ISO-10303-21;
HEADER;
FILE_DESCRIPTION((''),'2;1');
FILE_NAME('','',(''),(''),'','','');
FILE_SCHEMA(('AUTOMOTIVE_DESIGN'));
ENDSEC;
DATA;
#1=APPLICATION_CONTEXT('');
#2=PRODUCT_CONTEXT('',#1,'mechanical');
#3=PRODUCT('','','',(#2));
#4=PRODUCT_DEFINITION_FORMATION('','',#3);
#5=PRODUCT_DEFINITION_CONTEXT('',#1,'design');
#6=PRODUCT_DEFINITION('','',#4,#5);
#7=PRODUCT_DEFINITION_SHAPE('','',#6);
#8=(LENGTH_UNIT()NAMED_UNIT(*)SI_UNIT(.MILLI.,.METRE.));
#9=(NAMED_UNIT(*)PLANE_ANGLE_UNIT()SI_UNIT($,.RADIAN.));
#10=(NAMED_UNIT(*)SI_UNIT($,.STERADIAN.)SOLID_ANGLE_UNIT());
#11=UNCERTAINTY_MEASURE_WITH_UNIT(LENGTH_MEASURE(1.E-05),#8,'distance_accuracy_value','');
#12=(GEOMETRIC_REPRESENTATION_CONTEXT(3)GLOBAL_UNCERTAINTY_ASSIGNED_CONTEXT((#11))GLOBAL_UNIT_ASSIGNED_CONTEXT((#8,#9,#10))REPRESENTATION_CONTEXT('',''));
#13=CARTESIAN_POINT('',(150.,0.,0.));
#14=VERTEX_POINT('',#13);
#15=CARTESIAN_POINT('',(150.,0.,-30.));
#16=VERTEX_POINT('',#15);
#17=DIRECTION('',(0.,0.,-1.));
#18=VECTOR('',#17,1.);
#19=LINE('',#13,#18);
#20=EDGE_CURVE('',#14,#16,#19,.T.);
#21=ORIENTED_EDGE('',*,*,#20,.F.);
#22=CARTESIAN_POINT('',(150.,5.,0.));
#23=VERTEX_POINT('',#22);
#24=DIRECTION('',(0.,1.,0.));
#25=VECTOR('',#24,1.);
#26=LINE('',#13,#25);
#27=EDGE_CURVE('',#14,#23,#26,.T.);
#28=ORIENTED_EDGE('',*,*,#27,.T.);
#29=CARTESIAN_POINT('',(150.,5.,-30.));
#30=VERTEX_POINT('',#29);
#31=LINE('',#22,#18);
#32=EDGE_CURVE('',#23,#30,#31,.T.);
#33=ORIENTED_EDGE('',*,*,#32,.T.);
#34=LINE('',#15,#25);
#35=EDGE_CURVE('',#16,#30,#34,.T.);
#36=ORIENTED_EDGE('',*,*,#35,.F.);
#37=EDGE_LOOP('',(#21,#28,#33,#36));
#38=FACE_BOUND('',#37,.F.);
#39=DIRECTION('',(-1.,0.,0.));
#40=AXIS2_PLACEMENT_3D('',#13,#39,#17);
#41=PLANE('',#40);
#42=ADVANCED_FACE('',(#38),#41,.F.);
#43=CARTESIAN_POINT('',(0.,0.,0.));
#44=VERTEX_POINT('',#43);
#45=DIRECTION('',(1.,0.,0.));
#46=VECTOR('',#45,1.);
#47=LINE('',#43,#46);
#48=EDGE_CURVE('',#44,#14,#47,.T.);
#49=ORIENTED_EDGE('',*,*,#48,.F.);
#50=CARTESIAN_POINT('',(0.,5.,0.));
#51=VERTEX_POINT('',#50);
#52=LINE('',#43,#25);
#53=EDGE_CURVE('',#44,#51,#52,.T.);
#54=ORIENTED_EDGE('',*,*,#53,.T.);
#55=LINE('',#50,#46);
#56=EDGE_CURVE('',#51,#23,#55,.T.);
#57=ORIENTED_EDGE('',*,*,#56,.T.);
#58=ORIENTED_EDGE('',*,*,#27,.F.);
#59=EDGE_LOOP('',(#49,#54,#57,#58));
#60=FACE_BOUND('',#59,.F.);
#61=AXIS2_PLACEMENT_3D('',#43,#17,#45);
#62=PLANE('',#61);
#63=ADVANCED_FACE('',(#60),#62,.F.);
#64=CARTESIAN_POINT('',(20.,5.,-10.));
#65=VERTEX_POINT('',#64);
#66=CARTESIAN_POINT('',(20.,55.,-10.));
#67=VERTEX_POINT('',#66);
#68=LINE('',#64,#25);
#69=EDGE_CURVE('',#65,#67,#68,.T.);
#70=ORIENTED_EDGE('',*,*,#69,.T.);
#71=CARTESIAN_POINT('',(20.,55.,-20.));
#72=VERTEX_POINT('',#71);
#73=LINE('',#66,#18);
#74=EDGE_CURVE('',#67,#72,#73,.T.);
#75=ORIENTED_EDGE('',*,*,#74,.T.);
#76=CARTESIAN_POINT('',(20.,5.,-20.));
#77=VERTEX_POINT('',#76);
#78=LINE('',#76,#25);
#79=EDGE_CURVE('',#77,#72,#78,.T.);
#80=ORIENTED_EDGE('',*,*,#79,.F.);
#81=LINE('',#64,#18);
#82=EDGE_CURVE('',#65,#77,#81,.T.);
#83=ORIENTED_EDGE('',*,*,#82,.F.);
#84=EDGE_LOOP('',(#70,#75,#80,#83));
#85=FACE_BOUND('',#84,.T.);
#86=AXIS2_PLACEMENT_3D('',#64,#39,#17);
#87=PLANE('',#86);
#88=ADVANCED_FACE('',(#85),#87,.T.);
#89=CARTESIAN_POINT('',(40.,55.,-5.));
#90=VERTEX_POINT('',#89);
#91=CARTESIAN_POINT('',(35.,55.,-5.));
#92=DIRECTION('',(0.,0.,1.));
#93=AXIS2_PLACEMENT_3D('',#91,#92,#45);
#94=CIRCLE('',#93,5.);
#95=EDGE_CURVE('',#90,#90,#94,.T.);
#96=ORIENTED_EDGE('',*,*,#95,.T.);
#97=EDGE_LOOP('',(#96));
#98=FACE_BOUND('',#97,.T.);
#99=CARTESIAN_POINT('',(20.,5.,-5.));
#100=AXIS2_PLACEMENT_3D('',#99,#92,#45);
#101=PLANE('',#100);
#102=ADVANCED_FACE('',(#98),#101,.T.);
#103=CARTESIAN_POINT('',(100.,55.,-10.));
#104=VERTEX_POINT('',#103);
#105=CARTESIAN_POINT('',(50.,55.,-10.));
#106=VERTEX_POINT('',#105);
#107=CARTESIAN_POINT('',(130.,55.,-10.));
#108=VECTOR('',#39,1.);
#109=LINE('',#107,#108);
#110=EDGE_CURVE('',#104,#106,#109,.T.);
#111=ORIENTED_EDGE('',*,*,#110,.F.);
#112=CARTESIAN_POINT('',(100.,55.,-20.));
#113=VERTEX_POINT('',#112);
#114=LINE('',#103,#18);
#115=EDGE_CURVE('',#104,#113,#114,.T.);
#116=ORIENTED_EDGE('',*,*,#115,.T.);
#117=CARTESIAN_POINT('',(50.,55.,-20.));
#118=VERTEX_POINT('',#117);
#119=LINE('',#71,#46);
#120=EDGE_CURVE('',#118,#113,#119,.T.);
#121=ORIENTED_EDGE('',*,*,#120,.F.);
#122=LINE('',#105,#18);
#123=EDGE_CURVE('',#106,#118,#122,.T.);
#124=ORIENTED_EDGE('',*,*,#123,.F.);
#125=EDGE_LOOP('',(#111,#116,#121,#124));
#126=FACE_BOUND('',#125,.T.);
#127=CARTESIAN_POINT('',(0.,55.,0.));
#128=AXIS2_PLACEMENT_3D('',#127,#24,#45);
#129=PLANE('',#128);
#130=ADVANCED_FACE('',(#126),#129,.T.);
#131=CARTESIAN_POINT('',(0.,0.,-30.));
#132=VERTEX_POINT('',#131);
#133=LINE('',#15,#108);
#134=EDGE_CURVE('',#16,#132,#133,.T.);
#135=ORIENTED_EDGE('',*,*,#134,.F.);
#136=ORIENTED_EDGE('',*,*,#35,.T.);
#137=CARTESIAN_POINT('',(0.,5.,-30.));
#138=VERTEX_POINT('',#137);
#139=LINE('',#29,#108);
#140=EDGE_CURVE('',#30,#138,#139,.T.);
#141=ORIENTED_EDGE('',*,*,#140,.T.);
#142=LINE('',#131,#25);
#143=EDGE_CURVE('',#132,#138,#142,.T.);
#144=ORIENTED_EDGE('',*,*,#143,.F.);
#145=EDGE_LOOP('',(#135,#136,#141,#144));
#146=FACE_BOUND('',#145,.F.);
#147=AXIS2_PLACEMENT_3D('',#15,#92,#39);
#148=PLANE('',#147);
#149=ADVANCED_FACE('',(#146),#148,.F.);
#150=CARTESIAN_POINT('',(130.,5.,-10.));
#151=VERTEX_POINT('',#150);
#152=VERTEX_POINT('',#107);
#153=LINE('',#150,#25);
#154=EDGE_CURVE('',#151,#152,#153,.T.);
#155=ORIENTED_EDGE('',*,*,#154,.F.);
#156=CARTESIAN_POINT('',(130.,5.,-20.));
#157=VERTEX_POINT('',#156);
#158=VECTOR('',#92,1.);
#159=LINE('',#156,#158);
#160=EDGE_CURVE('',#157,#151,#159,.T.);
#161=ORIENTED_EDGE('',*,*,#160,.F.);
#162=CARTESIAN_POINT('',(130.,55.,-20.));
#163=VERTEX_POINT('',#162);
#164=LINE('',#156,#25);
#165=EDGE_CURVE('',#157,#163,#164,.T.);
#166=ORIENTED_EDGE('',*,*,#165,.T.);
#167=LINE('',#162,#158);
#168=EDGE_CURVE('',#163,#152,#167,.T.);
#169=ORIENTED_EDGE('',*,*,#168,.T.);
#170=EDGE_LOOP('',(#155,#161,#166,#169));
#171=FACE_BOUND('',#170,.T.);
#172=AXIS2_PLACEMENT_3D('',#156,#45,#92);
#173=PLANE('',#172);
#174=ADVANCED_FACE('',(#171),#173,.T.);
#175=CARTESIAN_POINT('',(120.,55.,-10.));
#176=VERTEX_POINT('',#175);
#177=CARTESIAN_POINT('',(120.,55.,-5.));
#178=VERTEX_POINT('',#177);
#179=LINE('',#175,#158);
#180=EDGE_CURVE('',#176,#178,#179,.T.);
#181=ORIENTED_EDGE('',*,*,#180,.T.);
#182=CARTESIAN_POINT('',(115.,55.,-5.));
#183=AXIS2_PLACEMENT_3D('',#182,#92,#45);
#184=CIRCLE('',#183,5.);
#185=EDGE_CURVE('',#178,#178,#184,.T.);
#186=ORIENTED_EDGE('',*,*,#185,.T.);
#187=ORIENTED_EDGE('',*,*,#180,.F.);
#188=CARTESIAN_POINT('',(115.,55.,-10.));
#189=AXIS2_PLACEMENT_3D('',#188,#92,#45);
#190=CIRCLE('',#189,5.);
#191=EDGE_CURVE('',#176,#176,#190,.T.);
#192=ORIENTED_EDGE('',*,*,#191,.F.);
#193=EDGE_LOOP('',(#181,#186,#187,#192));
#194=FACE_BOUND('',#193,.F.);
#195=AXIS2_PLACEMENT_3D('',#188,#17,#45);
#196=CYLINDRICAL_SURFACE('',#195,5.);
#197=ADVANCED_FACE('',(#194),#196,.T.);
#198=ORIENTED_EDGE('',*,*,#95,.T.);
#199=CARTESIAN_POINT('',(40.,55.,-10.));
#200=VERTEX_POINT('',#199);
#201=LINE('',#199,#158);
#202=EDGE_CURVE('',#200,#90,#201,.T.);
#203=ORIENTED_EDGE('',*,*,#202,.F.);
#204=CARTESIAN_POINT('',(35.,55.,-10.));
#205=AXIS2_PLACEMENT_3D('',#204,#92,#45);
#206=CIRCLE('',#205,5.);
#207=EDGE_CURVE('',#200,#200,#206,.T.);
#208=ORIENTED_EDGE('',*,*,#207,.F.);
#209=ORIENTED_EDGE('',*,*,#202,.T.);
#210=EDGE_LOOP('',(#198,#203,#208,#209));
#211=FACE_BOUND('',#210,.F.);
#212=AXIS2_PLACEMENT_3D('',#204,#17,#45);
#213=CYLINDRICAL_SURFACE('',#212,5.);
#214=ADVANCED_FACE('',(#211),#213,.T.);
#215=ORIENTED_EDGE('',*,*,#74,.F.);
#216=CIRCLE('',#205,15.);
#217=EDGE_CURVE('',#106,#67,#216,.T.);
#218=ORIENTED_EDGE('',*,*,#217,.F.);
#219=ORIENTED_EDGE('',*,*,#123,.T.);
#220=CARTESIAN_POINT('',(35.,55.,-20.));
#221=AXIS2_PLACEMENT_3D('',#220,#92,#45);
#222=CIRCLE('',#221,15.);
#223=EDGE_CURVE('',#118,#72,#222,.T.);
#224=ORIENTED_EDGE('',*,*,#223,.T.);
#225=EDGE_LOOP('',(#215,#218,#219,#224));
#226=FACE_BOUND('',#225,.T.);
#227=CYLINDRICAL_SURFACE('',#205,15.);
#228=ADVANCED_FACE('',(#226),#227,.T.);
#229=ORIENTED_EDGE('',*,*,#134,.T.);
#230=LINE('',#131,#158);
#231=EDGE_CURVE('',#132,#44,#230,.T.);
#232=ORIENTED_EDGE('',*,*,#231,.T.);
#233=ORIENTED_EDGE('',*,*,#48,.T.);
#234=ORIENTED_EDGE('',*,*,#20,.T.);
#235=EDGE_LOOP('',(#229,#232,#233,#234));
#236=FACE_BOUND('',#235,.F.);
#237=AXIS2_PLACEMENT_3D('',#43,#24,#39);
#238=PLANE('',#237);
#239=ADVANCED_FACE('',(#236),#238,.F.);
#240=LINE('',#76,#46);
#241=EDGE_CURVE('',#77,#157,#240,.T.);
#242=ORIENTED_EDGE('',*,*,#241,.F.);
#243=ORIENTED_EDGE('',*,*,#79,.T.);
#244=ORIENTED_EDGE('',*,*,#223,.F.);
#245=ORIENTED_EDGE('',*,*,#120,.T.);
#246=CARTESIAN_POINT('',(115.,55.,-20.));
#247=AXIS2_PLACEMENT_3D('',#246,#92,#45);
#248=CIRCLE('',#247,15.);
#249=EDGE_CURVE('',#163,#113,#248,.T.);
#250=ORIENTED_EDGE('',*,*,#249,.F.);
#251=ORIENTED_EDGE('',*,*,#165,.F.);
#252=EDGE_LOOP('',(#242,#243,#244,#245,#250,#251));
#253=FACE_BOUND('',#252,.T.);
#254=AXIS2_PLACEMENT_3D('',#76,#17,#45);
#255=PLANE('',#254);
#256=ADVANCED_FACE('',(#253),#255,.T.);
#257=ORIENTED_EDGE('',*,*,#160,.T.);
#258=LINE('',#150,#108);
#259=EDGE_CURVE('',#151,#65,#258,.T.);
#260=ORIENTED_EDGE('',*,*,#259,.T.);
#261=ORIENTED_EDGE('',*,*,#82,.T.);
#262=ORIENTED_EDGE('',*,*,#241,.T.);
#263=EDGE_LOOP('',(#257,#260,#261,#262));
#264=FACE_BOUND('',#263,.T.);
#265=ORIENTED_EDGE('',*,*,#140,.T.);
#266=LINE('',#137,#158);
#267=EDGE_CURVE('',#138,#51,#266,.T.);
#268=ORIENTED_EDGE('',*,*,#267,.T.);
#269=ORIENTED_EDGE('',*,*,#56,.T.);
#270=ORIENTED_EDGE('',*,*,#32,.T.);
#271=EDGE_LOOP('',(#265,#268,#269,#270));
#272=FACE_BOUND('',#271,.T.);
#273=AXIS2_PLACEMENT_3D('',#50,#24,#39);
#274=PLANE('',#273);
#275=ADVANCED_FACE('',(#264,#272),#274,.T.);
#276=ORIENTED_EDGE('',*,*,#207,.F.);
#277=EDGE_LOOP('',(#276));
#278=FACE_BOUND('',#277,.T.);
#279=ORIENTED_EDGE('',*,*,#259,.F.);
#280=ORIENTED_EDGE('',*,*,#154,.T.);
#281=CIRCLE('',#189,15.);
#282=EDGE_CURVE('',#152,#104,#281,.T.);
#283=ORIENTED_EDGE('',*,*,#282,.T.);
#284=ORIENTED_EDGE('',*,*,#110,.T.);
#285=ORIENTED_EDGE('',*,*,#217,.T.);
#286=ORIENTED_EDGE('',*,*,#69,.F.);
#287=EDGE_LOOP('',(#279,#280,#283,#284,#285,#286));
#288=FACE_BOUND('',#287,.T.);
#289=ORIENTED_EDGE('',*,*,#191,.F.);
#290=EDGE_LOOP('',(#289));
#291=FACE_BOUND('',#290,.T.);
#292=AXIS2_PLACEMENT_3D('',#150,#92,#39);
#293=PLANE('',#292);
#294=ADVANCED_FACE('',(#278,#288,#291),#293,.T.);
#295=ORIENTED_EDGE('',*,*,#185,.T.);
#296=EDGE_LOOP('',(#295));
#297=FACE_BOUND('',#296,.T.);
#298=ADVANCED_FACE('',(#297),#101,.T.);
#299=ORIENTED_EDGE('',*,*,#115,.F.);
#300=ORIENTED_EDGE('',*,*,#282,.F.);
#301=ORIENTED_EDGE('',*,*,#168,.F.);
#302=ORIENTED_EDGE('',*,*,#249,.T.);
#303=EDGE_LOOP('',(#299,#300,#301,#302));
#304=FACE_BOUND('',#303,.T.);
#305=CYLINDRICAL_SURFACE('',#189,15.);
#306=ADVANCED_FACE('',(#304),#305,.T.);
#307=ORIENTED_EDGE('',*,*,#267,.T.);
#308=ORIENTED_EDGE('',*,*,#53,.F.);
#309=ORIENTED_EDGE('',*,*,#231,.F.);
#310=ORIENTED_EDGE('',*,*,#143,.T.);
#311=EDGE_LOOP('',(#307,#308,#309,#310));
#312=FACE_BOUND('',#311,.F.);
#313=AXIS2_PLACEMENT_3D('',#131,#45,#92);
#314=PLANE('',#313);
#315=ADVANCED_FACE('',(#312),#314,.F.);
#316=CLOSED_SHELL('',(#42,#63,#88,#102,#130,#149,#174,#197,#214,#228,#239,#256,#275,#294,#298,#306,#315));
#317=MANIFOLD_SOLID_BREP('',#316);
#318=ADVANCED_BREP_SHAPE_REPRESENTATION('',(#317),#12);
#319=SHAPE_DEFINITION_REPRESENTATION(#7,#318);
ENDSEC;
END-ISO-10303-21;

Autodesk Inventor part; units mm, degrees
ref_plane "YZ Plane" through (0, 0, 0) normal (1, 0, 0) x (0, 1, 0)
ref_plane "XZ Plane" through (0, 0, 0) normal (0, 1, 0) x (-1, 0, 0)
ref_plane "XY Plane" through (0, 0, 0) normal (0, 0, 1) x (1, 0, 0)
sketch "Эскиз1" plane through (0, 0, 0) normal (0, 1, 0) x (-1, 0, 0)
  line L0 (0, 0) -> (-150, 0)
  line L1 (-150, 0) -> (-150, -30)
  line L2 (-150, -30) -> (0, -30)
  line L3 (0, -30) -> (0, 0)
  dimension "d0" = 150
  dimension "d1" = 30
extrude "Выдавливание1" add sketch "Эскиз1" along normal blind 5
sketch "Эскиз3" plane through (0, 5, 0) normal (0, 1, 0) x (1, 0, 0)
  line L0 (20, 20) -> (130, 20)
  line L1 (130, 20) -> (130, 10)
  line L2 (130, 10) -> (20, 10)
  line L3 (20, 10) -> (20, 20)
  line L4 (150, 30) -> (0, 30) projected
  line L5 (0, 0) -> (150, 0) projected
  line L6 (0, 30) -> (0, 0) projected
  line L7 (150, 0) -> (150, 30) projected
  dimension "d8" = 10
  dimension "d9" = 10
  dimension "d10" = 20
  dimension "d11" = 20
extrude "Выдавливание3" add sketch "Эскиз3" along normal blind 50 contours L0 L1 L2 L3
sketch "Эскиз4" plane through (20, 5, -10) normal (0, 0, 1) x (1, 0, 0)
  arc A0 (30, 50) -> (0, 50) centre (15, 50) ccw
  line L0 (0, 50) -> (110, 50) projected
  line L1 (0, 0) -> (0, 50) projected
  line L2 (55, 50) -> (55, 234.7508)
  arc A1 (110, 50) -> (80, 50) centre (95, 50) ccw
  point P0 (-20, -5)
  dimension "d14" = 30
extrude "Выдавливание4" add sketch "Эскиз4" against normal up to surface (10 mm away)
sketch "Эскиз5" plane through (20, 5, -10) normal (0, 0, 1) x (1, 0, 0)
  arc A0 (30, 50) -> (0, 50) centre (15, 50) ccw projected
  arc A1 (110, 50) -> (80, 50) centre (95, 50) ccw projected
  circle A2 centre (15, 50) radius 5
  circle A3 centre (95, 50) radius 5
  point P0 (-20, -5)
  point P1 (55, 199.7494)
  dimension "d24" = 10
  dimension "d25" = 10
extrude "Выдавливание5" add sketch "Эскиз5" along normal blind 5
properties part number "Base"
